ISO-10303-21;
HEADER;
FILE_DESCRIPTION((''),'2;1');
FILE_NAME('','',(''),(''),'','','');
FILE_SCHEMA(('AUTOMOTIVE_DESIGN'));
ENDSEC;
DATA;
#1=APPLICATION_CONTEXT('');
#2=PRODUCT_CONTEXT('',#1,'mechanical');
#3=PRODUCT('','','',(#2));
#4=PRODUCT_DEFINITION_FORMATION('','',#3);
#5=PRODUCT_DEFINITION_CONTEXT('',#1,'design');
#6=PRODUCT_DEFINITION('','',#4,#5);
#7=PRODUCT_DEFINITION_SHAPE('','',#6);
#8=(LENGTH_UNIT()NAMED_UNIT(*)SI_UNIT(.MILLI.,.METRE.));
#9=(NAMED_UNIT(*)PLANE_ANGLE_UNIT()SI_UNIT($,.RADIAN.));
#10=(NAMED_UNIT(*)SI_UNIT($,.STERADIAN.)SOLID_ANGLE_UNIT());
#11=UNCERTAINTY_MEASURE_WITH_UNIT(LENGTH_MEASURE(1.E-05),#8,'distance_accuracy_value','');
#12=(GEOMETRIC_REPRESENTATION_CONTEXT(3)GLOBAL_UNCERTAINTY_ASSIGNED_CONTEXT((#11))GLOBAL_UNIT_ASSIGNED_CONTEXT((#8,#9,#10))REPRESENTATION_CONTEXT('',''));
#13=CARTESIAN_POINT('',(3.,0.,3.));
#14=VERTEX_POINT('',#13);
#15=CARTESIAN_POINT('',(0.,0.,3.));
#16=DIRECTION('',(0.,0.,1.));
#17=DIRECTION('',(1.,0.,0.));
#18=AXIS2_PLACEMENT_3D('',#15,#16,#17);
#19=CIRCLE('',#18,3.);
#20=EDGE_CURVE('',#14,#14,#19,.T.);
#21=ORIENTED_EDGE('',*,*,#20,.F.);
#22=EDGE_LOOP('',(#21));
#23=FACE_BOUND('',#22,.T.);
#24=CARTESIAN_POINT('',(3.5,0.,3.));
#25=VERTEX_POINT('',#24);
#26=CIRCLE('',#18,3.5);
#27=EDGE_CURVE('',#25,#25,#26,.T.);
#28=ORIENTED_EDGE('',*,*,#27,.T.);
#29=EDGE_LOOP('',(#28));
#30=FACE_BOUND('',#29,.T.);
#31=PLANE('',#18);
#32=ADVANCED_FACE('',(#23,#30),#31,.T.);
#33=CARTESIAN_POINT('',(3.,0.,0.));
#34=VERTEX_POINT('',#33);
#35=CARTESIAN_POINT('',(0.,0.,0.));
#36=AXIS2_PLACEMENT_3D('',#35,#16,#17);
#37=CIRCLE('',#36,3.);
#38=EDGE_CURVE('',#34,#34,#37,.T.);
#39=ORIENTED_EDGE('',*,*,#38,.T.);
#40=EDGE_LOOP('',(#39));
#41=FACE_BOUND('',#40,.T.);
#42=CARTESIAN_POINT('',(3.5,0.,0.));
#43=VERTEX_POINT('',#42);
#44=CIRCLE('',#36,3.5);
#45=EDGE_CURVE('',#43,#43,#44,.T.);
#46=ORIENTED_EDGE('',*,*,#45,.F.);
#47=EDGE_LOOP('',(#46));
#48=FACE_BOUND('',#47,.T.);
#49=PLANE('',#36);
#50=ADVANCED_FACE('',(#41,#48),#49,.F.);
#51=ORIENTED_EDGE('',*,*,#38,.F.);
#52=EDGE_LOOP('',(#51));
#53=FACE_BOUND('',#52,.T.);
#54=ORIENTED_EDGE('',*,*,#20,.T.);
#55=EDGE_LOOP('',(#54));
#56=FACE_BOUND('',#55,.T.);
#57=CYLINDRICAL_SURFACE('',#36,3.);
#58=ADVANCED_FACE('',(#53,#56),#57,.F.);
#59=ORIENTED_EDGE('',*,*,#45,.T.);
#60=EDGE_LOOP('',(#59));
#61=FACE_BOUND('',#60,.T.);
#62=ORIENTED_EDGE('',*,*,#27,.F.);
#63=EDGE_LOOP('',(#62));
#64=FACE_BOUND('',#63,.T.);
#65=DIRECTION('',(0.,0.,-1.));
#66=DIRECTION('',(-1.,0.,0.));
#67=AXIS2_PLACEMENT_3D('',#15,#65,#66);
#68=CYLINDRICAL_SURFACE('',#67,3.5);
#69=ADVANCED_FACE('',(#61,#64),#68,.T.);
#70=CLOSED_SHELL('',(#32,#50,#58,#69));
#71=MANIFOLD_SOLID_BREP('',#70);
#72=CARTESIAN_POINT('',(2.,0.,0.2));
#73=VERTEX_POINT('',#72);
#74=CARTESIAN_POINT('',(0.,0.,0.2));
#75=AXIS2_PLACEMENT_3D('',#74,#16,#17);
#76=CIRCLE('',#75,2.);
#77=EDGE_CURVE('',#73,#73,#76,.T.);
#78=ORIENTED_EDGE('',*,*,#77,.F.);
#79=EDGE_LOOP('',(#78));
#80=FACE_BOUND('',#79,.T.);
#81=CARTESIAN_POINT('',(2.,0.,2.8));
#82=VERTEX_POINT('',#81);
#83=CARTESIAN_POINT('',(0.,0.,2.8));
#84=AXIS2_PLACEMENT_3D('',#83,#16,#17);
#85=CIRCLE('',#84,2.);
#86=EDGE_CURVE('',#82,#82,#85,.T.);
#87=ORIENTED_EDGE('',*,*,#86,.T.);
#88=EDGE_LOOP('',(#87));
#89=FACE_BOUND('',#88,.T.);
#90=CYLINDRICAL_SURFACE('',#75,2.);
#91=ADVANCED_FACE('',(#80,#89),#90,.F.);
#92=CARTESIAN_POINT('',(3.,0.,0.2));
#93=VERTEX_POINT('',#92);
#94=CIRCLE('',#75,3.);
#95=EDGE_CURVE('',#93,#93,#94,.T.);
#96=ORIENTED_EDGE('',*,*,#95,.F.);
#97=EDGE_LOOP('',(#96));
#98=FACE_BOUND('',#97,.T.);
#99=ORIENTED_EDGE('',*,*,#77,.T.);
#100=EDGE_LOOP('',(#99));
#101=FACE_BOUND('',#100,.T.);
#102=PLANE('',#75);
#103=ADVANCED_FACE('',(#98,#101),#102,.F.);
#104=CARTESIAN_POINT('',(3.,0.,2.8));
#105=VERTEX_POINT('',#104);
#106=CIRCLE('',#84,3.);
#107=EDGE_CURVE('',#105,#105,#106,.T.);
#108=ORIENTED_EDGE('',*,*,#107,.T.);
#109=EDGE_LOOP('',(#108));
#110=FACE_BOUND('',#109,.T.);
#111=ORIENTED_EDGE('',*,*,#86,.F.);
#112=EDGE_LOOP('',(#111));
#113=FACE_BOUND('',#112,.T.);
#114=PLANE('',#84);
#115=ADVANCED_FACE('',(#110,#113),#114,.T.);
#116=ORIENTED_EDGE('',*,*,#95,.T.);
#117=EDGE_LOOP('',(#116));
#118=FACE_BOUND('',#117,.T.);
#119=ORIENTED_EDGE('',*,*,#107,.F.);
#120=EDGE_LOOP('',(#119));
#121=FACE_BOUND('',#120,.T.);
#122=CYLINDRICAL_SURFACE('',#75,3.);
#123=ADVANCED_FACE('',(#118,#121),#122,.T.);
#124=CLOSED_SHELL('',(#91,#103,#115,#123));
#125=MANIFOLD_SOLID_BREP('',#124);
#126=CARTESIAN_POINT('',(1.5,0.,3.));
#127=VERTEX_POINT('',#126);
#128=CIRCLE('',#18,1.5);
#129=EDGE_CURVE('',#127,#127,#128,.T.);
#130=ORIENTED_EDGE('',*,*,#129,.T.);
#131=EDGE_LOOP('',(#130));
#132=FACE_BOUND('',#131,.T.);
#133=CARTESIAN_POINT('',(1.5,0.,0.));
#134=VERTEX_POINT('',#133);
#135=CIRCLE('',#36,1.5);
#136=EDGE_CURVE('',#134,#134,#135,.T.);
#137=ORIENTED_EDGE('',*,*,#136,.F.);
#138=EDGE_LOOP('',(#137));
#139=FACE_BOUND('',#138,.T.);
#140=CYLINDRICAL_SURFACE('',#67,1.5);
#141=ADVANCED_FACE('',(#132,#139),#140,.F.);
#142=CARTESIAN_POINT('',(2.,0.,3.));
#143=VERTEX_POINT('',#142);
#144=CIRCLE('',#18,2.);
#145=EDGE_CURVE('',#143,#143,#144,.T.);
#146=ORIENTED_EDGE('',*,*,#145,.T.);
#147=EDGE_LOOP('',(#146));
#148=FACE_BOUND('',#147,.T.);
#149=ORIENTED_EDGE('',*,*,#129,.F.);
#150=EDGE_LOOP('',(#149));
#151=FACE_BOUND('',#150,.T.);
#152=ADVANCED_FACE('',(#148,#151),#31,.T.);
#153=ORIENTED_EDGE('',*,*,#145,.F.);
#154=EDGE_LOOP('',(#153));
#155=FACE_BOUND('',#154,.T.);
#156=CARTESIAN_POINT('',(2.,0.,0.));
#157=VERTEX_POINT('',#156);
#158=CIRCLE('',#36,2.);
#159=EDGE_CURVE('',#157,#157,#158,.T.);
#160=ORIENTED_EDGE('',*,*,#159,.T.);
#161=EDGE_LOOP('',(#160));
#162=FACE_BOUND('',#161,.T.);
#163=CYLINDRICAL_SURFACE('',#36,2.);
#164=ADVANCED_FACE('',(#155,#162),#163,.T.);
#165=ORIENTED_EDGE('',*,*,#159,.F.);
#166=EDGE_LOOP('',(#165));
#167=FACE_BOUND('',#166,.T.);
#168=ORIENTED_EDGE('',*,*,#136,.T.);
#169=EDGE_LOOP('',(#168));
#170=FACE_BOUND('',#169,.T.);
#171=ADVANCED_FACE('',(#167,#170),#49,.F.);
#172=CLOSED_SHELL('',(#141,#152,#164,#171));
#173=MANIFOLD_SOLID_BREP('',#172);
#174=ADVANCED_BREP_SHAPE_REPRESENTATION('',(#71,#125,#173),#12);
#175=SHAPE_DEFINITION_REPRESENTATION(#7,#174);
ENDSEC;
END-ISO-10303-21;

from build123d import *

# Parameters (mm, degrees)
SKETCH1_R           = 3.5
SKETCH1_R_2         = 1.5
BOSS_EXTRUDE1_DEPTH = 3
SKETCH2_R           = 3
SKETCH2_R_2         = 2
CUT_EXTRUDE1_DEPTH  = 3
SKETCH3_R           = 3
SKETCH3_R_2         = 2
BOSS_EXTRUDE3_DEPTH = 2.8
SKETCH4_R           = 3
SKETCH4_R_2         = 2
CUT_EXTRUDE2_DEPTH  = 0.2


with BuildPart() as part:
    # Sketch1 → Boss-Extrude1 (new body)
    with BuildSketch(Plane.XY):
        Circle(SKETCH1_R)
        Circle(SKETCH1_R_2, mode=Mode.SUBTRACT)
    extrude(amount=BOSS_EXTRUDE1_DEPTH)

    # Sketch2 → Cut-Extrude1 (cut)
    with BuildSketch(Plane.XY.offset(3)):
        Circle(SKETCH2_R)
        Circle(SKETCH2_R_2, mode=Mode.SUBTRACT)
    extrude(amount=-CUT_EXTRUDE1_DEPTH, mode=Mode.SUBTRACT)


with BuildPart() as body_2:
    # Sketch3 → Boss-Extrude3 (new body)
    with BuildSketch(Plane.XY.offset(3)):
        Circle(SKETCH3_R)
        Circle(SKETCH3_R_2, mode=Mode.SUBTRACT)
    extrude(amount=-BOSS_EXTRUDE3_DEPTH)

    # Sketch4 → Cut-Extrude2 (cut)
    with BuildSketch(Plane.XY.offset(3)):
        Circle(SKETCH4_R)
        Circle(SKETCH4_R_2, mode=Mode.SUBTRACT)
    extrude(amount=-CUT_EXTRUDE2_DEPTH, mode=Mode.SUBTRACT)


solid = Compound([part.part, body_2.part])
